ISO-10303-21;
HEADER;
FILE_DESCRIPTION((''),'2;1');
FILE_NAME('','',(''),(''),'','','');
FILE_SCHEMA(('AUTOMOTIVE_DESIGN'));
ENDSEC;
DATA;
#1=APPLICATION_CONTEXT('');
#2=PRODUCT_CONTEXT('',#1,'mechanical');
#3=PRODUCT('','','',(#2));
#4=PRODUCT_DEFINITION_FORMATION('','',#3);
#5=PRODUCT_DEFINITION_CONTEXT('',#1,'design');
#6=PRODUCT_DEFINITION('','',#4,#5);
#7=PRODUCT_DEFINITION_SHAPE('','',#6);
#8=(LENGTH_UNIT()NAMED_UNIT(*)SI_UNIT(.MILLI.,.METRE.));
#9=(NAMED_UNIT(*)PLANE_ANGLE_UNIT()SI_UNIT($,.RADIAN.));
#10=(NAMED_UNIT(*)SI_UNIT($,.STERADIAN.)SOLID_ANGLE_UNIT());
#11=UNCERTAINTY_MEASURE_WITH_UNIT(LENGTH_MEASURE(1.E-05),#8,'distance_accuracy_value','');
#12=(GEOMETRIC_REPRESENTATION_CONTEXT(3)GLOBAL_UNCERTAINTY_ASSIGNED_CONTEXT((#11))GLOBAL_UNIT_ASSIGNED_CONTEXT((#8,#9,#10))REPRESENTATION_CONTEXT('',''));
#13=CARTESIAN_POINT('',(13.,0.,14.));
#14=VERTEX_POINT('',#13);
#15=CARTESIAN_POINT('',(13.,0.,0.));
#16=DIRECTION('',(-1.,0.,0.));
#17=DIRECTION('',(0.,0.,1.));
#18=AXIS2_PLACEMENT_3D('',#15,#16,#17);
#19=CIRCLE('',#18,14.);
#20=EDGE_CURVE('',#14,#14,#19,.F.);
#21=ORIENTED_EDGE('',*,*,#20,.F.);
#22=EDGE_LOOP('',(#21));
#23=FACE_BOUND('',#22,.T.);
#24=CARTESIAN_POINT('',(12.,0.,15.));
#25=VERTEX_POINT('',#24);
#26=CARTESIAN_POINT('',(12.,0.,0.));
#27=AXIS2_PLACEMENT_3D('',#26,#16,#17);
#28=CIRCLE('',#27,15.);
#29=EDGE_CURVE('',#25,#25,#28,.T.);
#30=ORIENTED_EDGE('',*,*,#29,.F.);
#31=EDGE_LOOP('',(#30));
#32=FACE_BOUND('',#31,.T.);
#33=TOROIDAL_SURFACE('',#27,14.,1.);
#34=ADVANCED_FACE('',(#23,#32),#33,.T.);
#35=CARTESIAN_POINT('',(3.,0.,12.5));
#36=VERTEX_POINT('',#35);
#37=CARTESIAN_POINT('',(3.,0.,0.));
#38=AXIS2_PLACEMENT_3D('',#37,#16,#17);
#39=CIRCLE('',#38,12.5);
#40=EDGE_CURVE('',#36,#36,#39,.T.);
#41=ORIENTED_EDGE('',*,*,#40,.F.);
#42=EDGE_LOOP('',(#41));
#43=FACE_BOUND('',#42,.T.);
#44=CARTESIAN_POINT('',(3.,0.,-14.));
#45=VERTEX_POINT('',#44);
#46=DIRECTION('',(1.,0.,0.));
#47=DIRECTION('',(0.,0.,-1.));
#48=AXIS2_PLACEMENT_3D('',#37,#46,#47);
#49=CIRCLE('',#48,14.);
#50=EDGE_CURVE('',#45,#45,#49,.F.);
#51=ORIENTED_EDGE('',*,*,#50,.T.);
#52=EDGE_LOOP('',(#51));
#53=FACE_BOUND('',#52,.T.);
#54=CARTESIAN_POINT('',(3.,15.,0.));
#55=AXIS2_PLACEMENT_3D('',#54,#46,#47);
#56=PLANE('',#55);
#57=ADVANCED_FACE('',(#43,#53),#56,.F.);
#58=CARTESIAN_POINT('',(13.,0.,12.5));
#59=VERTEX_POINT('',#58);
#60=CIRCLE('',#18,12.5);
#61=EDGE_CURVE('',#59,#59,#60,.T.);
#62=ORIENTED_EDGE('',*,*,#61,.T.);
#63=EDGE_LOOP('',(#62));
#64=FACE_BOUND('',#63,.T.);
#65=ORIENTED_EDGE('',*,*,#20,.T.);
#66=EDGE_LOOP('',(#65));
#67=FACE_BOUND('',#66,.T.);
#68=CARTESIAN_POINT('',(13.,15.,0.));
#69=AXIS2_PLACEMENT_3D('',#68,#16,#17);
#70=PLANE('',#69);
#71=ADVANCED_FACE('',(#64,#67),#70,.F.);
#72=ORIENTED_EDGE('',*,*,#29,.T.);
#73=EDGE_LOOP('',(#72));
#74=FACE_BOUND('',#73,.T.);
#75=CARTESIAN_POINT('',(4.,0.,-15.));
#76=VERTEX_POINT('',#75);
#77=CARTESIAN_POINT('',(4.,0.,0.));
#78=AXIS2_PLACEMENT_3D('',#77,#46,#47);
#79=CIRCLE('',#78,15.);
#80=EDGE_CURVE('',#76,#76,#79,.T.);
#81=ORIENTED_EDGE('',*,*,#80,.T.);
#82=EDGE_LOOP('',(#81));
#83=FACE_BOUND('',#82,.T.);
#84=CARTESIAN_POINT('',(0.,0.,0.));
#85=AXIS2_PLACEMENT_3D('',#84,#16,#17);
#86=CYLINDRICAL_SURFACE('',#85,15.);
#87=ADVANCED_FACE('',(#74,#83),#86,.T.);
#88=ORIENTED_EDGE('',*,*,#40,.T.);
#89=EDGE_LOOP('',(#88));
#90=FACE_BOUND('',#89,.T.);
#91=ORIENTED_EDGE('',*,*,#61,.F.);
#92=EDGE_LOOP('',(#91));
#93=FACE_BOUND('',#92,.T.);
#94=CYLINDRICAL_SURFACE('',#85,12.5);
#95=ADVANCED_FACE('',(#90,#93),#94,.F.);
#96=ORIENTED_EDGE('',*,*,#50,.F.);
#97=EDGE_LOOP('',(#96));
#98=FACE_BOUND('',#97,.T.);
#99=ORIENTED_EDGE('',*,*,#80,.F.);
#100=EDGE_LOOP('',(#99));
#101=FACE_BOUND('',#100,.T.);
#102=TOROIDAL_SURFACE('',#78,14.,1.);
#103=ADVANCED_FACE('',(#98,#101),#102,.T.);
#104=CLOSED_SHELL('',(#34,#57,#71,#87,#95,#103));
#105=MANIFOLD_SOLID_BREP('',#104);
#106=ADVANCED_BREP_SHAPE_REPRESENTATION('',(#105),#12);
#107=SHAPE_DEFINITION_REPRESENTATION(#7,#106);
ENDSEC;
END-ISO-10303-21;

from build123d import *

# Parameters (mm, degrees)
SKETCH1_W = 10
SKETCH1_H = 2.5
FILLET1_R = 1


with BuildPart() as part:
    # Sketch1 → Revolve1 (revolve)
    with BuildSketch(Plane.XY, mode=Mode.PRIVATE) as revolve1_sk:
        with Locations((8, 13.75)):
            Rectangle(SKETCH1_W, SKETCH1_H)
    revolve(revolve1_sk.sketch.rotate(Axis((0, 0, 0), (1, 0, 0)), 90), axis=Axis((0, 0, 0), (1, 0, 0)))

    # Fillet1
    fillet1_edges = [part.edges().sort_by_distance(p)[0] for p in [
        (3, 0, -15),
        (13, 0, -15),
    ]]
    fillet(fillet1_edges, radius=FILLET1_R)


solid = part.part
